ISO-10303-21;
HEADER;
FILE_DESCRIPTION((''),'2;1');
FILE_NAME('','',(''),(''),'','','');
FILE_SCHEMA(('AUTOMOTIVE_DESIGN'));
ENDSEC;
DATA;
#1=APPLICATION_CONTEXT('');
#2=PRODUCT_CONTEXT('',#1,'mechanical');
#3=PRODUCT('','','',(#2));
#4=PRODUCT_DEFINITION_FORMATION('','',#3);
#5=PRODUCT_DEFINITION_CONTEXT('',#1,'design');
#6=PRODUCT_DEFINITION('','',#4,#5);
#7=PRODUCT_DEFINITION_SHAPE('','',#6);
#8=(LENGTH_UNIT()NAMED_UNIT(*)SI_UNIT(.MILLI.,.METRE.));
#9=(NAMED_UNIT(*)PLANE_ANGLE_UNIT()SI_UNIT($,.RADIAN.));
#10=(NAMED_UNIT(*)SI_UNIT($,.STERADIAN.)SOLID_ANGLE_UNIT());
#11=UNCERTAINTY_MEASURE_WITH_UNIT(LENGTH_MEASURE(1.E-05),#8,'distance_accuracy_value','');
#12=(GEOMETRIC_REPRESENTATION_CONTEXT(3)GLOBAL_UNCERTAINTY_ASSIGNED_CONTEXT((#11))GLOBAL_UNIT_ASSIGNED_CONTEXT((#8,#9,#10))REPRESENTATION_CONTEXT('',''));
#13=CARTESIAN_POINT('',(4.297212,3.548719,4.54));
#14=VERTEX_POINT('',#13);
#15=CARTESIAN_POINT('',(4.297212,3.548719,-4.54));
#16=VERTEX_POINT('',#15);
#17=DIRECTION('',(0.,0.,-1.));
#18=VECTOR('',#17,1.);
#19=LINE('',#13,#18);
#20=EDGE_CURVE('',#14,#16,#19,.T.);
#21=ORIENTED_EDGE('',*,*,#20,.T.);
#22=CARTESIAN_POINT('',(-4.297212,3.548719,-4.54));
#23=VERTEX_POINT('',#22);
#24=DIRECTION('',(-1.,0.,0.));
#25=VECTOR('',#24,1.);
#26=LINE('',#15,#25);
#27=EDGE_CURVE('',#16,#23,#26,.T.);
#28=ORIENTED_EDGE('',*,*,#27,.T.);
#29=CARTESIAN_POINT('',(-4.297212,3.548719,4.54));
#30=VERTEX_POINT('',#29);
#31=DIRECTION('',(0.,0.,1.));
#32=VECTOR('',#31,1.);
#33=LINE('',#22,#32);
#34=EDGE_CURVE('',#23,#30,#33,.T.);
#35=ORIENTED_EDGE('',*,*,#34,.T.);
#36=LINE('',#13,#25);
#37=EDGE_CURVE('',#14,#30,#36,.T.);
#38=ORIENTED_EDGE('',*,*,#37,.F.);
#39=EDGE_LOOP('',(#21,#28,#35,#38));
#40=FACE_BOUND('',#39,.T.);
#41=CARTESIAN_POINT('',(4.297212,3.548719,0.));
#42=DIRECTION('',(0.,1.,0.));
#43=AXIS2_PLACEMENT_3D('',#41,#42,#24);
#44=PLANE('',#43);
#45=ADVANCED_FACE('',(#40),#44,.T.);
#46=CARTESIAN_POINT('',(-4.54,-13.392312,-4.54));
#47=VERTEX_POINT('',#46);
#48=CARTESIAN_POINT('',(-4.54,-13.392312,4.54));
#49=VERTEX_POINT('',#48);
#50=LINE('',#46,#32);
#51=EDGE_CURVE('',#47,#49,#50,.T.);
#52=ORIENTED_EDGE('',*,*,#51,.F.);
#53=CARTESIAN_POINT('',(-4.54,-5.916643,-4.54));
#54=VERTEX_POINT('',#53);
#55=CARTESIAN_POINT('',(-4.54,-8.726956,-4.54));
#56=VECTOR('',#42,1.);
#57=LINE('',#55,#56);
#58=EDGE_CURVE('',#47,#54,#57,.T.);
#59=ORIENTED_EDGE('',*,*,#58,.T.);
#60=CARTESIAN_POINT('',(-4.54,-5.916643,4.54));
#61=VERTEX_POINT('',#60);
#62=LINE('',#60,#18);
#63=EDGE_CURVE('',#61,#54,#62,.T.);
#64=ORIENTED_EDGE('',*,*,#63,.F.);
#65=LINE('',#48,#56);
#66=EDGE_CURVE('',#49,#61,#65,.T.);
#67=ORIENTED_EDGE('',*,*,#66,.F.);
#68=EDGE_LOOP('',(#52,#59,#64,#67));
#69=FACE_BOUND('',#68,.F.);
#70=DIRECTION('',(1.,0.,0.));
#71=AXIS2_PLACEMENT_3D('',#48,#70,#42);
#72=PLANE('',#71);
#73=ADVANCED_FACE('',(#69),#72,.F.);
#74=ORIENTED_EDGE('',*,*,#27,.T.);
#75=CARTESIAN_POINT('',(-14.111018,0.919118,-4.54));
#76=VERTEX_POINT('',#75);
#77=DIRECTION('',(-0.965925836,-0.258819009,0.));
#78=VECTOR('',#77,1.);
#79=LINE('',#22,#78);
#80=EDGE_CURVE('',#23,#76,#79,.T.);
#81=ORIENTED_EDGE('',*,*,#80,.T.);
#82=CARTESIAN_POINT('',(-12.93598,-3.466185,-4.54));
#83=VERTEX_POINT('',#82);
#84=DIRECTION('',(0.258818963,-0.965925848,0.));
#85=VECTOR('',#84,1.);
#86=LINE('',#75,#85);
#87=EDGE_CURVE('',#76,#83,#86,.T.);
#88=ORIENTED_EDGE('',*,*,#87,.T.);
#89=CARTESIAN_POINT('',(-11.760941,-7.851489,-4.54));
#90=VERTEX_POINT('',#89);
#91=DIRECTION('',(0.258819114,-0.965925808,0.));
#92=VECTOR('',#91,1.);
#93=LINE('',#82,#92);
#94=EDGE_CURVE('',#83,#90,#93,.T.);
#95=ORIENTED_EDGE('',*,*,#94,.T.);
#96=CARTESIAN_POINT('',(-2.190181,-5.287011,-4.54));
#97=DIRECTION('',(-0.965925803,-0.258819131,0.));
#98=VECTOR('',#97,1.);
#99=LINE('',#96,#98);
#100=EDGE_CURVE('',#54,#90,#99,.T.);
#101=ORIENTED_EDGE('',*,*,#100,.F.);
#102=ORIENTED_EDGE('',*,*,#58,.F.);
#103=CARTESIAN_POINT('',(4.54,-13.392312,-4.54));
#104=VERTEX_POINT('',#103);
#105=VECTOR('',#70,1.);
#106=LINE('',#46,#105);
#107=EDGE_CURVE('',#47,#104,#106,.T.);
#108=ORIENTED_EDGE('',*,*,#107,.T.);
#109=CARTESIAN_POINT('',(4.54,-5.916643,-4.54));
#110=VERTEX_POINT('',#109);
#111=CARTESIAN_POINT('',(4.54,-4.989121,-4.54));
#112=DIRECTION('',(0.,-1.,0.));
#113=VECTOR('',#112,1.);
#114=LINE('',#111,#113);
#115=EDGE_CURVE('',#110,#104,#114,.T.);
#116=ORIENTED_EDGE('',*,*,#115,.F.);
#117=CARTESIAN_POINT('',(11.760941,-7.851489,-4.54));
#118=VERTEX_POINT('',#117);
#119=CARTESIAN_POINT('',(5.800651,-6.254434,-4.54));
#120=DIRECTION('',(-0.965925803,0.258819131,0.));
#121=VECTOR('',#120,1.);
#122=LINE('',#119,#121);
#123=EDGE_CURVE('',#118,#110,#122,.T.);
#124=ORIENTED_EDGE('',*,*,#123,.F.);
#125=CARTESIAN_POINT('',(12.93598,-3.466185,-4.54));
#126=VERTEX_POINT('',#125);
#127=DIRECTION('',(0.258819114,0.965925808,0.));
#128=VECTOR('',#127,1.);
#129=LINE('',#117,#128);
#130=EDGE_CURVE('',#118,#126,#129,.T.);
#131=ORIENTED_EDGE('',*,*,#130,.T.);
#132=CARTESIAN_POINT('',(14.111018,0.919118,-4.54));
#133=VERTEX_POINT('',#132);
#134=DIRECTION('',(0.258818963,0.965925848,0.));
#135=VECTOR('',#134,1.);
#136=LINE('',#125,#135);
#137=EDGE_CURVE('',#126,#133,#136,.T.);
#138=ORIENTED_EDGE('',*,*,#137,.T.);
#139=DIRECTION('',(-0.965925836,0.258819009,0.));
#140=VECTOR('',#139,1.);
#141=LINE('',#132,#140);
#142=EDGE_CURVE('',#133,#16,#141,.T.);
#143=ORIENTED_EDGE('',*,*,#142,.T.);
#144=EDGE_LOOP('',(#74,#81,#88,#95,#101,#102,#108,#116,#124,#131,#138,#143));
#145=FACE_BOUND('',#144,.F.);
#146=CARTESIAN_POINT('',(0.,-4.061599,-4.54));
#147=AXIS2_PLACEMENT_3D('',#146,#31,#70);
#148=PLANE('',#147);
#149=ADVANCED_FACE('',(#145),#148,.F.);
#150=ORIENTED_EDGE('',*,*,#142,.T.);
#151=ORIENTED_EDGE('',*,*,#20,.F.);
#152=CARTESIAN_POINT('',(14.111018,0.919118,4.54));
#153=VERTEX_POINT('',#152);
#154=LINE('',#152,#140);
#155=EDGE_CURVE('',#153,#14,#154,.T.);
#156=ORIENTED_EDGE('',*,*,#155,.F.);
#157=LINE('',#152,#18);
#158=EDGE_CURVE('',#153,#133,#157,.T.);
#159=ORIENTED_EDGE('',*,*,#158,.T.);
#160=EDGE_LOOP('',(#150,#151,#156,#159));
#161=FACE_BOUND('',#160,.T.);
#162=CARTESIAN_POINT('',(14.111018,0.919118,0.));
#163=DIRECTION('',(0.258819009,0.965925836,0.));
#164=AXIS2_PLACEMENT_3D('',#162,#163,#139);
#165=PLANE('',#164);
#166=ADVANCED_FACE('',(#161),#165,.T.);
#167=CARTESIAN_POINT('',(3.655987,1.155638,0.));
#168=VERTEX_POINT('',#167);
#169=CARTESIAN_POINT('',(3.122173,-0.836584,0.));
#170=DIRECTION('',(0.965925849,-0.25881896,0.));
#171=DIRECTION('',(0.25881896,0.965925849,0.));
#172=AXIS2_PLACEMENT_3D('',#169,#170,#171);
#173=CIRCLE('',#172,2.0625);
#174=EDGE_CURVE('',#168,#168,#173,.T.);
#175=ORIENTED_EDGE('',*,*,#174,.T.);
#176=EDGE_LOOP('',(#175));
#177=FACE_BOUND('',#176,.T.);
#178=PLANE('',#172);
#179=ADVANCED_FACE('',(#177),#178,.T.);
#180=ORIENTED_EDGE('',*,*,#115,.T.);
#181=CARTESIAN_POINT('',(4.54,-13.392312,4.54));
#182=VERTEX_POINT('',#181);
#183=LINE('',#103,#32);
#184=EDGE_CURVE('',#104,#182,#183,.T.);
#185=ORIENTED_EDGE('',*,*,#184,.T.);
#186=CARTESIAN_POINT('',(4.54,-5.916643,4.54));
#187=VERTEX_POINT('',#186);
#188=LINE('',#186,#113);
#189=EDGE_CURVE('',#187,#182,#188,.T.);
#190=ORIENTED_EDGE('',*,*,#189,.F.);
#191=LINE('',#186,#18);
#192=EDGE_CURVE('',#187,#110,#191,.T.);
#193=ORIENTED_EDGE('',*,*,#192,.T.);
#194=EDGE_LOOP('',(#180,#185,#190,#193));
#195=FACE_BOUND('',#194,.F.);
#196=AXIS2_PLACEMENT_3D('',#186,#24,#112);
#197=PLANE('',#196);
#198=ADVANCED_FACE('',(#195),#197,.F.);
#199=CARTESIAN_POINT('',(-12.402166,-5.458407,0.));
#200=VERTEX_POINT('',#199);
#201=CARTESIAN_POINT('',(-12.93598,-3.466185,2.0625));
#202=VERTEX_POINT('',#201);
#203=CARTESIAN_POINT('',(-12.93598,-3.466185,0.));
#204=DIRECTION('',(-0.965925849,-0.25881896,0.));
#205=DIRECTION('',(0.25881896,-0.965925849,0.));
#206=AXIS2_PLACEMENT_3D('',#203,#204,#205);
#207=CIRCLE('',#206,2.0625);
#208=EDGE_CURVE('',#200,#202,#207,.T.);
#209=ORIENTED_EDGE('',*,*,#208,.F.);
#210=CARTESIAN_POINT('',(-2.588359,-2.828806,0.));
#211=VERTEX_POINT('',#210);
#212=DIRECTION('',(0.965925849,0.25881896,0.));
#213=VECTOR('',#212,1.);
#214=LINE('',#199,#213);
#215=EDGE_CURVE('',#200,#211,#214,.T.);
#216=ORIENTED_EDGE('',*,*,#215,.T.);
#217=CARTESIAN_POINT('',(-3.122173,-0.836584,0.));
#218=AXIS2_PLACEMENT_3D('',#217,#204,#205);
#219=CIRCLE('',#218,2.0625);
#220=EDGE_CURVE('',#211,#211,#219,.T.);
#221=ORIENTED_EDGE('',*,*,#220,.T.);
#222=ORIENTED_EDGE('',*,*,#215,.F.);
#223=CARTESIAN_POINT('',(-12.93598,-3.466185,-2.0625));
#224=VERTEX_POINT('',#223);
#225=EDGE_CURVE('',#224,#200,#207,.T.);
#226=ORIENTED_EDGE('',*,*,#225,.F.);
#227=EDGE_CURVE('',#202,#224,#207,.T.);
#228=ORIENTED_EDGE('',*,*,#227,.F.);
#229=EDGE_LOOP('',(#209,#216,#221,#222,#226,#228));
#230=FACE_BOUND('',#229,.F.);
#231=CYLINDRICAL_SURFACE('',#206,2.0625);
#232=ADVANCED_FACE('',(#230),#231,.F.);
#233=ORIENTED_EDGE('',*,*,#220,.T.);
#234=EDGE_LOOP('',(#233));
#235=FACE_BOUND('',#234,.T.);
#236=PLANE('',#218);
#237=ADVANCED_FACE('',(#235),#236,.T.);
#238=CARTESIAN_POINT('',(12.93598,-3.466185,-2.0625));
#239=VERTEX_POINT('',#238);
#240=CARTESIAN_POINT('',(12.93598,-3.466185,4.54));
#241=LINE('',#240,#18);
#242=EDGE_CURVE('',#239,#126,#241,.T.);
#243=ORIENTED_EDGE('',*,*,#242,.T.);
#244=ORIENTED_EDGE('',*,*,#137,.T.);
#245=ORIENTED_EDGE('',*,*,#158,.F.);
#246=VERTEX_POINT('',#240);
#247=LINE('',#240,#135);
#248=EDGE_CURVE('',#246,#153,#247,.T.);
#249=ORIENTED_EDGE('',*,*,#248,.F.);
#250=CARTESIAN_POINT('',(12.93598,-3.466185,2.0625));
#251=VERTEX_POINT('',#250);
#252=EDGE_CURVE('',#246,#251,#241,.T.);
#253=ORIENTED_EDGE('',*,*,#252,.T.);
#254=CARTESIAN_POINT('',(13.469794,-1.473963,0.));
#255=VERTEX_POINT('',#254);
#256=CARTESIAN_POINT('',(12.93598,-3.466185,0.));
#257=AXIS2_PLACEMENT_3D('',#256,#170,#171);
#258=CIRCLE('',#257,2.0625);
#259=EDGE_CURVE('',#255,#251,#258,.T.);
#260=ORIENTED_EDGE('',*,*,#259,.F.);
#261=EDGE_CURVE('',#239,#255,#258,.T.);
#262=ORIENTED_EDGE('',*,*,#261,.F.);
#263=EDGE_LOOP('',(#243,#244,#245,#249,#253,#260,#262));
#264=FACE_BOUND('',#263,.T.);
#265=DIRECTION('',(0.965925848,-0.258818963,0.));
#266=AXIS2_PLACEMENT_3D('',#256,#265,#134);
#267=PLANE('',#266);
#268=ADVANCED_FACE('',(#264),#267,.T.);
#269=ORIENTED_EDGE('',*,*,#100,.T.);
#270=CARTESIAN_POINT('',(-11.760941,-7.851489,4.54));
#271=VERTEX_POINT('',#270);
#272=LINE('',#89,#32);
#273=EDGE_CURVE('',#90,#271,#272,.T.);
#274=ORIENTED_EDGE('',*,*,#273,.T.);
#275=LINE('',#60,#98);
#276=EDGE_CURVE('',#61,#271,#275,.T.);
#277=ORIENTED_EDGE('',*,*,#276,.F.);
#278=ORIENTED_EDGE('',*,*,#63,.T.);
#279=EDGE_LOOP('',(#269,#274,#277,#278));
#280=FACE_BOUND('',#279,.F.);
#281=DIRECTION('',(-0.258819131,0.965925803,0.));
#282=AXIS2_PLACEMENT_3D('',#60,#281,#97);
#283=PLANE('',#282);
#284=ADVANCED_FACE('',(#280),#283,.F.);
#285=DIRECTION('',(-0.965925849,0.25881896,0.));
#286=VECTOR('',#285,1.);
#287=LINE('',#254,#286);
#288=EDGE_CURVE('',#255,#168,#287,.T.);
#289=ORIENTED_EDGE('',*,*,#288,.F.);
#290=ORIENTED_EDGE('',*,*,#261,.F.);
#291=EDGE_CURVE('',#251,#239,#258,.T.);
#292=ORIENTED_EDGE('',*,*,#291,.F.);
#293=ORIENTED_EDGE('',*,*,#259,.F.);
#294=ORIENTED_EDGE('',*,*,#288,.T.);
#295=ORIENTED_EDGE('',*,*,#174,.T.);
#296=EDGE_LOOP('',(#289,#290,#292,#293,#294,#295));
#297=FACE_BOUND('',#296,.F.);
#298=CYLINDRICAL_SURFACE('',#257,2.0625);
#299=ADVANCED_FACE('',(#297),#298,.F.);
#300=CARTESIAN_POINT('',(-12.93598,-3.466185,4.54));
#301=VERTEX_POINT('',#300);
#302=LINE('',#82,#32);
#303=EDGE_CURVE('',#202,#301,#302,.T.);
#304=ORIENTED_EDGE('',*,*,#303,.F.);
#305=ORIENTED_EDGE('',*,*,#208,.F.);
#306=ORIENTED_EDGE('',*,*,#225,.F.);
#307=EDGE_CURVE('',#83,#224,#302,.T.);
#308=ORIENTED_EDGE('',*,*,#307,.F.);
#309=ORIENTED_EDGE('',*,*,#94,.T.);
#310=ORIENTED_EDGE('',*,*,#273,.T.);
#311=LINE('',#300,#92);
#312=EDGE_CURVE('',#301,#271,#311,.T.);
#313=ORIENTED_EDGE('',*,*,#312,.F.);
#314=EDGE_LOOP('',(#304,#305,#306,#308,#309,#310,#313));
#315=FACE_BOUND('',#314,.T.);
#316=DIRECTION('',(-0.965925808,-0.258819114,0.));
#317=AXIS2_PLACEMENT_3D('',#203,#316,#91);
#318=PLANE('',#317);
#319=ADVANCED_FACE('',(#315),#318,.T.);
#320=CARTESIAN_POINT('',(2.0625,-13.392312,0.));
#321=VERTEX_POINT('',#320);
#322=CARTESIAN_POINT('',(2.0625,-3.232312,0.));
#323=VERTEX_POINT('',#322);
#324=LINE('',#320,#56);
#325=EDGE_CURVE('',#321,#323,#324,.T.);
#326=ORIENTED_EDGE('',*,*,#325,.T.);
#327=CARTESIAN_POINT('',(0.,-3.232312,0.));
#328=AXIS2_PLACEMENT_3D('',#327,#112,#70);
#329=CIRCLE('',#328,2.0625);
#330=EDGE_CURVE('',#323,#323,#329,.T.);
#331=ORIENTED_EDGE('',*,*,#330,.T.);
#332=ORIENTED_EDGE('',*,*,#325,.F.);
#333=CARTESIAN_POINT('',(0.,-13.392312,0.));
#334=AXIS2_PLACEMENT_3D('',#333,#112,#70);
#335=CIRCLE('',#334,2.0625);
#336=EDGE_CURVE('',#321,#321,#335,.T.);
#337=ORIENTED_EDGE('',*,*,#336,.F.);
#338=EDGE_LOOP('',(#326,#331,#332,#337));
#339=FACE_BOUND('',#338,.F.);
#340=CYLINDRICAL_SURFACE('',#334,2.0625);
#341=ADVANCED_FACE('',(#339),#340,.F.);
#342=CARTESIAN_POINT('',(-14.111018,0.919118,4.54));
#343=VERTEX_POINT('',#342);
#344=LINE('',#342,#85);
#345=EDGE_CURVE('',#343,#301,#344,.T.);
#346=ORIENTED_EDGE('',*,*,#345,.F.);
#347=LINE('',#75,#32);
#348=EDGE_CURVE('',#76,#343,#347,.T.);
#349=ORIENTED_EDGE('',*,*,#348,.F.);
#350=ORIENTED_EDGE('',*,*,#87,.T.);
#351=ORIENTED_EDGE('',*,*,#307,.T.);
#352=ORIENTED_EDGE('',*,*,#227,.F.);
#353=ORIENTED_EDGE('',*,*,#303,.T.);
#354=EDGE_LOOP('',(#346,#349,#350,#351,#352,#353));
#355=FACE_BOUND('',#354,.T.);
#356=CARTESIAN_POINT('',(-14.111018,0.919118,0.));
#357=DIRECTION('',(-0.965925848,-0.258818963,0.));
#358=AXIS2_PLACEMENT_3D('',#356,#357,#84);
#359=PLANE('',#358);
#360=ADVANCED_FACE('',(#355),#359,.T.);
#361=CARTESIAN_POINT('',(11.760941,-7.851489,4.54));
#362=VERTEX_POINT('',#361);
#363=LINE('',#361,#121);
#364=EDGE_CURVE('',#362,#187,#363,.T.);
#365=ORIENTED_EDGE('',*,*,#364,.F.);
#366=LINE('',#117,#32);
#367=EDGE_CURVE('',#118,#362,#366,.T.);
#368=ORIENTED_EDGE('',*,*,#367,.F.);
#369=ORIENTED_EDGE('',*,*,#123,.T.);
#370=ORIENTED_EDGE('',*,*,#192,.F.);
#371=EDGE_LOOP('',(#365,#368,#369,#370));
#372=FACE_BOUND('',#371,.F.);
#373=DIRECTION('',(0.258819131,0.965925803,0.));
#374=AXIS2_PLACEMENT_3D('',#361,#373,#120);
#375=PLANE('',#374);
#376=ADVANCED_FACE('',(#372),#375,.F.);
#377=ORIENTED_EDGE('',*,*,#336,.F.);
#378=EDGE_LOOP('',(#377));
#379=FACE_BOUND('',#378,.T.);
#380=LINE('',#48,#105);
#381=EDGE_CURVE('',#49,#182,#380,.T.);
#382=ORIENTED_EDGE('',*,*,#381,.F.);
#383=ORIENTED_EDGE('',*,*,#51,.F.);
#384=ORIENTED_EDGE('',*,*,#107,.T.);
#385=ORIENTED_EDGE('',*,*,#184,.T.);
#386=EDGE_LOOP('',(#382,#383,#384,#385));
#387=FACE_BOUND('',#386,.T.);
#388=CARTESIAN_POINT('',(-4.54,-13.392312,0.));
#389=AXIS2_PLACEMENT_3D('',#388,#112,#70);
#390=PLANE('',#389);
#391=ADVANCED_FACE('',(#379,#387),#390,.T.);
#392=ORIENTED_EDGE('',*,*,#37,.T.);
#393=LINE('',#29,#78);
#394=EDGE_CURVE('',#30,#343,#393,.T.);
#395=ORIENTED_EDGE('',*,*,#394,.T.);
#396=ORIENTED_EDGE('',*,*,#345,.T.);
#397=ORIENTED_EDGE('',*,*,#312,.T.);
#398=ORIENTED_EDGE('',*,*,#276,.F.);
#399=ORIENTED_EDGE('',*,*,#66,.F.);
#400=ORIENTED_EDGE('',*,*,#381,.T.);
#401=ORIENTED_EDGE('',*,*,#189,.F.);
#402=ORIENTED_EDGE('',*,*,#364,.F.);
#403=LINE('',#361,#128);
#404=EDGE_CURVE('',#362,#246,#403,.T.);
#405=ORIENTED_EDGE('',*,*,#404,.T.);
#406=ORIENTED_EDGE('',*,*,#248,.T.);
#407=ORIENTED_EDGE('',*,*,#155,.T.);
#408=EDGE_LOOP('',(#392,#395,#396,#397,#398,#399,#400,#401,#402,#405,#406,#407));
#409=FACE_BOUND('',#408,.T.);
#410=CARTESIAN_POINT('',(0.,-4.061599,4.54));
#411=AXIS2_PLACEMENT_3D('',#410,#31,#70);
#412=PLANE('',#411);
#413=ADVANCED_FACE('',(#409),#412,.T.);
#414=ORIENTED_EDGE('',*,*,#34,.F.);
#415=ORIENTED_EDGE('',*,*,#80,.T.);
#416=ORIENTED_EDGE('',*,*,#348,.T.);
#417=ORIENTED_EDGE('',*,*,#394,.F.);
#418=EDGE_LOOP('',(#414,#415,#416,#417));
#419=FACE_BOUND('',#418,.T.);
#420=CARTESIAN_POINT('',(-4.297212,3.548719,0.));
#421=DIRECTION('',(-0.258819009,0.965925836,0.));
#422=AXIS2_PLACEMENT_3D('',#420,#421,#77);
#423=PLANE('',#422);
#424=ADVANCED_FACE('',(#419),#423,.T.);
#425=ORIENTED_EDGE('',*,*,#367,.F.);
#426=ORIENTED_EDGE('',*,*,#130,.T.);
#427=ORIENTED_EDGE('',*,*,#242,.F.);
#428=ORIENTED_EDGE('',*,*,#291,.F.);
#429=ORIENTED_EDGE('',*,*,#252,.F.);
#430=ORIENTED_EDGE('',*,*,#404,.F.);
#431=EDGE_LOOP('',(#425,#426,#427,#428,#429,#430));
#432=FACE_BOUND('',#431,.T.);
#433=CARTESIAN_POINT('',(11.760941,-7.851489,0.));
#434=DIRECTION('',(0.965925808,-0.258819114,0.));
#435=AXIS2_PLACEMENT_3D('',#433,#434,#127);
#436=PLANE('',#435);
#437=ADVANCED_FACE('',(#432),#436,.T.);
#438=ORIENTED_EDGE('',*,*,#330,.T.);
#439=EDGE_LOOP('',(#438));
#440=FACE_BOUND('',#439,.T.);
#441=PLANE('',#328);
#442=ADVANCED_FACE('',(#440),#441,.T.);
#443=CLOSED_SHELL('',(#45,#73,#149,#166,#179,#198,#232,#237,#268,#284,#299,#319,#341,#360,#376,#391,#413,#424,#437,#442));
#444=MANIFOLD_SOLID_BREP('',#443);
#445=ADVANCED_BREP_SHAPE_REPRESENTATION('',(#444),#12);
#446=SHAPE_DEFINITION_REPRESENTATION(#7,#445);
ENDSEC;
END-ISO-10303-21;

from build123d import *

# Parameters (mm, degrees)
F1_DEPTH = 4.54
F2_R     = 2.0625
F3_DEPTH = 10.16
F4_R     = 2.0625
F5_DEPTH = 10.16
F6_R     = 2.0625
F7_DEPTH = 10.16
F9_DEPTH = 9.081


with BuildPart() as f1:
    # F0 (on Top) → F1 (new body, symmetric)
    with BuildSketch(Plane.XY):
        Polygon((4.297212, 3.548719), (-4.297212, 3.548719), (-14.111018, 0.919118), (-12.93598, -3.466185), (-11.760941, -7.851489), (-4.54, -13.392312), (0, -13.392312), (4.54, -13.392312), (11.760941, -7.851489), (12.93598, -3.466185), (14.111018, 0.919118), align=None)
    extrude(amount=F1_DEPTH, both=True)

    # F2 (on face) → F3 (cut)
    with BuildSketch(Plane(origin=(-12.93598, -3.466185, 0), x_dir=(0.258819, -0.965926, 0), z_dir=(-0.965926, -0.258819, 0))):
        Circle(F2_R)
    extrude(amount=-F3_DEPTH, mode=Mode.SUBTRACT)

    # F4 (on face) → F5 (cut)
    with BuildSketch(Plane(origin=(12.93598, -3.466185, 0), x_dir=(0.258819, 0.965926, 0), z_dir=(0.965926, -0.258819, 0))):
        Circle(F4_R)
    extrude(amount=-F5_DEPTH, mode=Mode.SUBTRACT)

    # F6 (on face) → F7 (cut)
    with BuildSketch(Plane.XZ.offset(13.392312)):
        Circle(F6_R)
    extrude(amount=-F7_DEPTH, mode=Mode.SUBTRACT)

    # F8 (on face) → F9 (cut, through all)
    with BuildSketch(Plane.XY.offset(4.54)):
        Polygon((4.54, -13.392312), (11.760941, -7.851489), (4.54, -5.916643), align=None)
        Polygon((-11.760941, -7.851489), (-4.54, -13.392312), (-4.54, -5.916643), align=None)
    extrude(amount=-F9_DEPTH, mode=Mode.SUBTRACT)


solid = f1.part
